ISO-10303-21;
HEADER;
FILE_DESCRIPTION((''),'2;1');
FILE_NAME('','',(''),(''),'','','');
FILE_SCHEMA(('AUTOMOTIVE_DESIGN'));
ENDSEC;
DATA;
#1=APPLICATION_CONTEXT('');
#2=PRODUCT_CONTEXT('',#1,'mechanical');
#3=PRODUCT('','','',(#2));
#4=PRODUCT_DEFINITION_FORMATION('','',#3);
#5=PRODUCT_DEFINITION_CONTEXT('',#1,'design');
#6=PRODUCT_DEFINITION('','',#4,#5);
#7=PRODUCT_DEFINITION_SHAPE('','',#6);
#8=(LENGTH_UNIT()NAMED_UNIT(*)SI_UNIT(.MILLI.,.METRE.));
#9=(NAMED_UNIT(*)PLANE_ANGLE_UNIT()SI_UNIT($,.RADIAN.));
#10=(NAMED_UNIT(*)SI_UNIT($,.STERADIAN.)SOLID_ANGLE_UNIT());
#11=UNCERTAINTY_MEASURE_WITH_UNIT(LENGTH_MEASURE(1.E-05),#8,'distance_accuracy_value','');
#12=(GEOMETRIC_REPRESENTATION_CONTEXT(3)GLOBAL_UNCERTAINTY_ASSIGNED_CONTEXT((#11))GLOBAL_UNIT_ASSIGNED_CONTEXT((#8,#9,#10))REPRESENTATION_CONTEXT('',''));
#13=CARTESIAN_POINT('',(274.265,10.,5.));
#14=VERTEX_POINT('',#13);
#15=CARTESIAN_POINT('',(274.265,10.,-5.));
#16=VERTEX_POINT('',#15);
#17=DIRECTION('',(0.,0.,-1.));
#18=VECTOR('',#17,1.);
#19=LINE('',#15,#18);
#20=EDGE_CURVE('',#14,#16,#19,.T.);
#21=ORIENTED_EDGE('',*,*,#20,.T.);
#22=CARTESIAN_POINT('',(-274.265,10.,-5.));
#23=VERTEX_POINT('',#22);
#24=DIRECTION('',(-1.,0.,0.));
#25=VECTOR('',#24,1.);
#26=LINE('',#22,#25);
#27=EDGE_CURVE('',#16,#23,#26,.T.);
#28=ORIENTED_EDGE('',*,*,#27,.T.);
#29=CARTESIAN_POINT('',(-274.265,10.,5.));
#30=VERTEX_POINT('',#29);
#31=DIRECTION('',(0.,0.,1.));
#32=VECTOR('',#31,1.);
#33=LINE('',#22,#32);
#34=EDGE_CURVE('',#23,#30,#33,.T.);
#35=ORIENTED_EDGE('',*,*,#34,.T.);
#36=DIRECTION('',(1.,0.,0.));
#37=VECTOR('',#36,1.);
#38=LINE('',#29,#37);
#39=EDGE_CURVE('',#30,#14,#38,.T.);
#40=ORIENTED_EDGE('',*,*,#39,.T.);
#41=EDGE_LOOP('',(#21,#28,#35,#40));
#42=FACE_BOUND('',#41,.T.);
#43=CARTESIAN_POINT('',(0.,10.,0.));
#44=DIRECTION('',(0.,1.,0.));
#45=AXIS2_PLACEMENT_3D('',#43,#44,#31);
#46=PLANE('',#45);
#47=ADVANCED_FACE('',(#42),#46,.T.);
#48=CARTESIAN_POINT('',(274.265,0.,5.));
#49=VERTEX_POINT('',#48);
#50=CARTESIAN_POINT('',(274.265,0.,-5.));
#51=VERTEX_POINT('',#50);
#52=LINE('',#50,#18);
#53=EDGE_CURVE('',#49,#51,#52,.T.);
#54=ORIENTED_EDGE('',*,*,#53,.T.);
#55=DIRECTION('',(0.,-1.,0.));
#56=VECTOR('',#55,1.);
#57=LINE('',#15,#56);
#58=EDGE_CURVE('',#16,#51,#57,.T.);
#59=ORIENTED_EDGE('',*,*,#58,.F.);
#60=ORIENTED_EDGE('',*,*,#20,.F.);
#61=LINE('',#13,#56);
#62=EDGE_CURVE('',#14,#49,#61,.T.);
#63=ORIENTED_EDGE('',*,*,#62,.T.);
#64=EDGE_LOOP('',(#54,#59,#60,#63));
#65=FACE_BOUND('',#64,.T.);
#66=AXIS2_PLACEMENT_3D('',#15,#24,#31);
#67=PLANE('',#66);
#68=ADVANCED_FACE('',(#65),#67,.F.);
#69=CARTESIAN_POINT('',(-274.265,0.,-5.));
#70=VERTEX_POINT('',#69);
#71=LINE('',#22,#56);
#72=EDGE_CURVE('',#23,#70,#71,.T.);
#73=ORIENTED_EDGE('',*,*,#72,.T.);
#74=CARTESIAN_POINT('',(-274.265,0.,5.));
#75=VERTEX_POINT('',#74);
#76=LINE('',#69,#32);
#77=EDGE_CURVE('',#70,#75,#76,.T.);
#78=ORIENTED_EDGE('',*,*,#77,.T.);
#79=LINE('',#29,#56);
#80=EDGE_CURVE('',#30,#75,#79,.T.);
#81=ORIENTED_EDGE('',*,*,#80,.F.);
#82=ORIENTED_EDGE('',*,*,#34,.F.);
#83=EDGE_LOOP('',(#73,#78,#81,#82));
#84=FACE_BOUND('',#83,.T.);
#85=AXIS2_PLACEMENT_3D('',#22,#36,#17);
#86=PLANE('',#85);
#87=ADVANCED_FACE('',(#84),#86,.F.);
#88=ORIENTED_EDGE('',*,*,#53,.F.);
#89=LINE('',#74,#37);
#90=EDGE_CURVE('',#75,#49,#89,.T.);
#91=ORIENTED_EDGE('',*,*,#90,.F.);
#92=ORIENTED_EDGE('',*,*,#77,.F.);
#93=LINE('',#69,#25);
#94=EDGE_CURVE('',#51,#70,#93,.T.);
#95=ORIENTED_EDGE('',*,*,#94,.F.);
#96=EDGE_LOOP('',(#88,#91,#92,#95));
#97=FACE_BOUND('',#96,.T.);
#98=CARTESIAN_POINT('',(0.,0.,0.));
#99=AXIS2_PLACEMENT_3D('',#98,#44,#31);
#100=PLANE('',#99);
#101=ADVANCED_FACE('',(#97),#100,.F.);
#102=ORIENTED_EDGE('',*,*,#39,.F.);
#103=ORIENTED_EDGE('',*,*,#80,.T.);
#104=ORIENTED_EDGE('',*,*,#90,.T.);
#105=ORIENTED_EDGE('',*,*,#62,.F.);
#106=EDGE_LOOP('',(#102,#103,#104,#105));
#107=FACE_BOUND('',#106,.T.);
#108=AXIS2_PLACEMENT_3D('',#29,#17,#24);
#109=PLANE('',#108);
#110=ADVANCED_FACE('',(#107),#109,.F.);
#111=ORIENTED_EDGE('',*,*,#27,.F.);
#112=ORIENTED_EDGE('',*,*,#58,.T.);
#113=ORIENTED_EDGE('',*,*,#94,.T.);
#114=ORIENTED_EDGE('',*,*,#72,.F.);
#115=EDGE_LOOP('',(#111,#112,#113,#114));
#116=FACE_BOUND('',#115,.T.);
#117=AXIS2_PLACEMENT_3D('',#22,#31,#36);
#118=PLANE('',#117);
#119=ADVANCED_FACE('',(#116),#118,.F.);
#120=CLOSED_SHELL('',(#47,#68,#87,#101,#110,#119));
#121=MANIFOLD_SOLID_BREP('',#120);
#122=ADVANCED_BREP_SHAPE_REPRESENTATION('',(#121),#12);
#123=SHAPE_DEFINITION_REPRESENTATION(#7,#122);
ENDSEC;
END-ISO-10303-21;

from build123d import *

# Parameters (mm, degrees)
SKETCH1_W           = 548.53
SKETCH1_H           = 10
BOSS_EXTRUDE1_DEPTH = 10


with BuildPart() as part:
    # Sketch1 → Boss-Extrude1 (new body)
    with BuildSketch(Plane(origin=(0, 0, 0), x_dir=(1, 0, 0), z_dir=(0, 1, 0))):
        Rectangle(SKETCH1_W, SKETCH1_H)
    extrude(amount=BOSS_EXTRUDE1_DEPTH)


solid = part.part
